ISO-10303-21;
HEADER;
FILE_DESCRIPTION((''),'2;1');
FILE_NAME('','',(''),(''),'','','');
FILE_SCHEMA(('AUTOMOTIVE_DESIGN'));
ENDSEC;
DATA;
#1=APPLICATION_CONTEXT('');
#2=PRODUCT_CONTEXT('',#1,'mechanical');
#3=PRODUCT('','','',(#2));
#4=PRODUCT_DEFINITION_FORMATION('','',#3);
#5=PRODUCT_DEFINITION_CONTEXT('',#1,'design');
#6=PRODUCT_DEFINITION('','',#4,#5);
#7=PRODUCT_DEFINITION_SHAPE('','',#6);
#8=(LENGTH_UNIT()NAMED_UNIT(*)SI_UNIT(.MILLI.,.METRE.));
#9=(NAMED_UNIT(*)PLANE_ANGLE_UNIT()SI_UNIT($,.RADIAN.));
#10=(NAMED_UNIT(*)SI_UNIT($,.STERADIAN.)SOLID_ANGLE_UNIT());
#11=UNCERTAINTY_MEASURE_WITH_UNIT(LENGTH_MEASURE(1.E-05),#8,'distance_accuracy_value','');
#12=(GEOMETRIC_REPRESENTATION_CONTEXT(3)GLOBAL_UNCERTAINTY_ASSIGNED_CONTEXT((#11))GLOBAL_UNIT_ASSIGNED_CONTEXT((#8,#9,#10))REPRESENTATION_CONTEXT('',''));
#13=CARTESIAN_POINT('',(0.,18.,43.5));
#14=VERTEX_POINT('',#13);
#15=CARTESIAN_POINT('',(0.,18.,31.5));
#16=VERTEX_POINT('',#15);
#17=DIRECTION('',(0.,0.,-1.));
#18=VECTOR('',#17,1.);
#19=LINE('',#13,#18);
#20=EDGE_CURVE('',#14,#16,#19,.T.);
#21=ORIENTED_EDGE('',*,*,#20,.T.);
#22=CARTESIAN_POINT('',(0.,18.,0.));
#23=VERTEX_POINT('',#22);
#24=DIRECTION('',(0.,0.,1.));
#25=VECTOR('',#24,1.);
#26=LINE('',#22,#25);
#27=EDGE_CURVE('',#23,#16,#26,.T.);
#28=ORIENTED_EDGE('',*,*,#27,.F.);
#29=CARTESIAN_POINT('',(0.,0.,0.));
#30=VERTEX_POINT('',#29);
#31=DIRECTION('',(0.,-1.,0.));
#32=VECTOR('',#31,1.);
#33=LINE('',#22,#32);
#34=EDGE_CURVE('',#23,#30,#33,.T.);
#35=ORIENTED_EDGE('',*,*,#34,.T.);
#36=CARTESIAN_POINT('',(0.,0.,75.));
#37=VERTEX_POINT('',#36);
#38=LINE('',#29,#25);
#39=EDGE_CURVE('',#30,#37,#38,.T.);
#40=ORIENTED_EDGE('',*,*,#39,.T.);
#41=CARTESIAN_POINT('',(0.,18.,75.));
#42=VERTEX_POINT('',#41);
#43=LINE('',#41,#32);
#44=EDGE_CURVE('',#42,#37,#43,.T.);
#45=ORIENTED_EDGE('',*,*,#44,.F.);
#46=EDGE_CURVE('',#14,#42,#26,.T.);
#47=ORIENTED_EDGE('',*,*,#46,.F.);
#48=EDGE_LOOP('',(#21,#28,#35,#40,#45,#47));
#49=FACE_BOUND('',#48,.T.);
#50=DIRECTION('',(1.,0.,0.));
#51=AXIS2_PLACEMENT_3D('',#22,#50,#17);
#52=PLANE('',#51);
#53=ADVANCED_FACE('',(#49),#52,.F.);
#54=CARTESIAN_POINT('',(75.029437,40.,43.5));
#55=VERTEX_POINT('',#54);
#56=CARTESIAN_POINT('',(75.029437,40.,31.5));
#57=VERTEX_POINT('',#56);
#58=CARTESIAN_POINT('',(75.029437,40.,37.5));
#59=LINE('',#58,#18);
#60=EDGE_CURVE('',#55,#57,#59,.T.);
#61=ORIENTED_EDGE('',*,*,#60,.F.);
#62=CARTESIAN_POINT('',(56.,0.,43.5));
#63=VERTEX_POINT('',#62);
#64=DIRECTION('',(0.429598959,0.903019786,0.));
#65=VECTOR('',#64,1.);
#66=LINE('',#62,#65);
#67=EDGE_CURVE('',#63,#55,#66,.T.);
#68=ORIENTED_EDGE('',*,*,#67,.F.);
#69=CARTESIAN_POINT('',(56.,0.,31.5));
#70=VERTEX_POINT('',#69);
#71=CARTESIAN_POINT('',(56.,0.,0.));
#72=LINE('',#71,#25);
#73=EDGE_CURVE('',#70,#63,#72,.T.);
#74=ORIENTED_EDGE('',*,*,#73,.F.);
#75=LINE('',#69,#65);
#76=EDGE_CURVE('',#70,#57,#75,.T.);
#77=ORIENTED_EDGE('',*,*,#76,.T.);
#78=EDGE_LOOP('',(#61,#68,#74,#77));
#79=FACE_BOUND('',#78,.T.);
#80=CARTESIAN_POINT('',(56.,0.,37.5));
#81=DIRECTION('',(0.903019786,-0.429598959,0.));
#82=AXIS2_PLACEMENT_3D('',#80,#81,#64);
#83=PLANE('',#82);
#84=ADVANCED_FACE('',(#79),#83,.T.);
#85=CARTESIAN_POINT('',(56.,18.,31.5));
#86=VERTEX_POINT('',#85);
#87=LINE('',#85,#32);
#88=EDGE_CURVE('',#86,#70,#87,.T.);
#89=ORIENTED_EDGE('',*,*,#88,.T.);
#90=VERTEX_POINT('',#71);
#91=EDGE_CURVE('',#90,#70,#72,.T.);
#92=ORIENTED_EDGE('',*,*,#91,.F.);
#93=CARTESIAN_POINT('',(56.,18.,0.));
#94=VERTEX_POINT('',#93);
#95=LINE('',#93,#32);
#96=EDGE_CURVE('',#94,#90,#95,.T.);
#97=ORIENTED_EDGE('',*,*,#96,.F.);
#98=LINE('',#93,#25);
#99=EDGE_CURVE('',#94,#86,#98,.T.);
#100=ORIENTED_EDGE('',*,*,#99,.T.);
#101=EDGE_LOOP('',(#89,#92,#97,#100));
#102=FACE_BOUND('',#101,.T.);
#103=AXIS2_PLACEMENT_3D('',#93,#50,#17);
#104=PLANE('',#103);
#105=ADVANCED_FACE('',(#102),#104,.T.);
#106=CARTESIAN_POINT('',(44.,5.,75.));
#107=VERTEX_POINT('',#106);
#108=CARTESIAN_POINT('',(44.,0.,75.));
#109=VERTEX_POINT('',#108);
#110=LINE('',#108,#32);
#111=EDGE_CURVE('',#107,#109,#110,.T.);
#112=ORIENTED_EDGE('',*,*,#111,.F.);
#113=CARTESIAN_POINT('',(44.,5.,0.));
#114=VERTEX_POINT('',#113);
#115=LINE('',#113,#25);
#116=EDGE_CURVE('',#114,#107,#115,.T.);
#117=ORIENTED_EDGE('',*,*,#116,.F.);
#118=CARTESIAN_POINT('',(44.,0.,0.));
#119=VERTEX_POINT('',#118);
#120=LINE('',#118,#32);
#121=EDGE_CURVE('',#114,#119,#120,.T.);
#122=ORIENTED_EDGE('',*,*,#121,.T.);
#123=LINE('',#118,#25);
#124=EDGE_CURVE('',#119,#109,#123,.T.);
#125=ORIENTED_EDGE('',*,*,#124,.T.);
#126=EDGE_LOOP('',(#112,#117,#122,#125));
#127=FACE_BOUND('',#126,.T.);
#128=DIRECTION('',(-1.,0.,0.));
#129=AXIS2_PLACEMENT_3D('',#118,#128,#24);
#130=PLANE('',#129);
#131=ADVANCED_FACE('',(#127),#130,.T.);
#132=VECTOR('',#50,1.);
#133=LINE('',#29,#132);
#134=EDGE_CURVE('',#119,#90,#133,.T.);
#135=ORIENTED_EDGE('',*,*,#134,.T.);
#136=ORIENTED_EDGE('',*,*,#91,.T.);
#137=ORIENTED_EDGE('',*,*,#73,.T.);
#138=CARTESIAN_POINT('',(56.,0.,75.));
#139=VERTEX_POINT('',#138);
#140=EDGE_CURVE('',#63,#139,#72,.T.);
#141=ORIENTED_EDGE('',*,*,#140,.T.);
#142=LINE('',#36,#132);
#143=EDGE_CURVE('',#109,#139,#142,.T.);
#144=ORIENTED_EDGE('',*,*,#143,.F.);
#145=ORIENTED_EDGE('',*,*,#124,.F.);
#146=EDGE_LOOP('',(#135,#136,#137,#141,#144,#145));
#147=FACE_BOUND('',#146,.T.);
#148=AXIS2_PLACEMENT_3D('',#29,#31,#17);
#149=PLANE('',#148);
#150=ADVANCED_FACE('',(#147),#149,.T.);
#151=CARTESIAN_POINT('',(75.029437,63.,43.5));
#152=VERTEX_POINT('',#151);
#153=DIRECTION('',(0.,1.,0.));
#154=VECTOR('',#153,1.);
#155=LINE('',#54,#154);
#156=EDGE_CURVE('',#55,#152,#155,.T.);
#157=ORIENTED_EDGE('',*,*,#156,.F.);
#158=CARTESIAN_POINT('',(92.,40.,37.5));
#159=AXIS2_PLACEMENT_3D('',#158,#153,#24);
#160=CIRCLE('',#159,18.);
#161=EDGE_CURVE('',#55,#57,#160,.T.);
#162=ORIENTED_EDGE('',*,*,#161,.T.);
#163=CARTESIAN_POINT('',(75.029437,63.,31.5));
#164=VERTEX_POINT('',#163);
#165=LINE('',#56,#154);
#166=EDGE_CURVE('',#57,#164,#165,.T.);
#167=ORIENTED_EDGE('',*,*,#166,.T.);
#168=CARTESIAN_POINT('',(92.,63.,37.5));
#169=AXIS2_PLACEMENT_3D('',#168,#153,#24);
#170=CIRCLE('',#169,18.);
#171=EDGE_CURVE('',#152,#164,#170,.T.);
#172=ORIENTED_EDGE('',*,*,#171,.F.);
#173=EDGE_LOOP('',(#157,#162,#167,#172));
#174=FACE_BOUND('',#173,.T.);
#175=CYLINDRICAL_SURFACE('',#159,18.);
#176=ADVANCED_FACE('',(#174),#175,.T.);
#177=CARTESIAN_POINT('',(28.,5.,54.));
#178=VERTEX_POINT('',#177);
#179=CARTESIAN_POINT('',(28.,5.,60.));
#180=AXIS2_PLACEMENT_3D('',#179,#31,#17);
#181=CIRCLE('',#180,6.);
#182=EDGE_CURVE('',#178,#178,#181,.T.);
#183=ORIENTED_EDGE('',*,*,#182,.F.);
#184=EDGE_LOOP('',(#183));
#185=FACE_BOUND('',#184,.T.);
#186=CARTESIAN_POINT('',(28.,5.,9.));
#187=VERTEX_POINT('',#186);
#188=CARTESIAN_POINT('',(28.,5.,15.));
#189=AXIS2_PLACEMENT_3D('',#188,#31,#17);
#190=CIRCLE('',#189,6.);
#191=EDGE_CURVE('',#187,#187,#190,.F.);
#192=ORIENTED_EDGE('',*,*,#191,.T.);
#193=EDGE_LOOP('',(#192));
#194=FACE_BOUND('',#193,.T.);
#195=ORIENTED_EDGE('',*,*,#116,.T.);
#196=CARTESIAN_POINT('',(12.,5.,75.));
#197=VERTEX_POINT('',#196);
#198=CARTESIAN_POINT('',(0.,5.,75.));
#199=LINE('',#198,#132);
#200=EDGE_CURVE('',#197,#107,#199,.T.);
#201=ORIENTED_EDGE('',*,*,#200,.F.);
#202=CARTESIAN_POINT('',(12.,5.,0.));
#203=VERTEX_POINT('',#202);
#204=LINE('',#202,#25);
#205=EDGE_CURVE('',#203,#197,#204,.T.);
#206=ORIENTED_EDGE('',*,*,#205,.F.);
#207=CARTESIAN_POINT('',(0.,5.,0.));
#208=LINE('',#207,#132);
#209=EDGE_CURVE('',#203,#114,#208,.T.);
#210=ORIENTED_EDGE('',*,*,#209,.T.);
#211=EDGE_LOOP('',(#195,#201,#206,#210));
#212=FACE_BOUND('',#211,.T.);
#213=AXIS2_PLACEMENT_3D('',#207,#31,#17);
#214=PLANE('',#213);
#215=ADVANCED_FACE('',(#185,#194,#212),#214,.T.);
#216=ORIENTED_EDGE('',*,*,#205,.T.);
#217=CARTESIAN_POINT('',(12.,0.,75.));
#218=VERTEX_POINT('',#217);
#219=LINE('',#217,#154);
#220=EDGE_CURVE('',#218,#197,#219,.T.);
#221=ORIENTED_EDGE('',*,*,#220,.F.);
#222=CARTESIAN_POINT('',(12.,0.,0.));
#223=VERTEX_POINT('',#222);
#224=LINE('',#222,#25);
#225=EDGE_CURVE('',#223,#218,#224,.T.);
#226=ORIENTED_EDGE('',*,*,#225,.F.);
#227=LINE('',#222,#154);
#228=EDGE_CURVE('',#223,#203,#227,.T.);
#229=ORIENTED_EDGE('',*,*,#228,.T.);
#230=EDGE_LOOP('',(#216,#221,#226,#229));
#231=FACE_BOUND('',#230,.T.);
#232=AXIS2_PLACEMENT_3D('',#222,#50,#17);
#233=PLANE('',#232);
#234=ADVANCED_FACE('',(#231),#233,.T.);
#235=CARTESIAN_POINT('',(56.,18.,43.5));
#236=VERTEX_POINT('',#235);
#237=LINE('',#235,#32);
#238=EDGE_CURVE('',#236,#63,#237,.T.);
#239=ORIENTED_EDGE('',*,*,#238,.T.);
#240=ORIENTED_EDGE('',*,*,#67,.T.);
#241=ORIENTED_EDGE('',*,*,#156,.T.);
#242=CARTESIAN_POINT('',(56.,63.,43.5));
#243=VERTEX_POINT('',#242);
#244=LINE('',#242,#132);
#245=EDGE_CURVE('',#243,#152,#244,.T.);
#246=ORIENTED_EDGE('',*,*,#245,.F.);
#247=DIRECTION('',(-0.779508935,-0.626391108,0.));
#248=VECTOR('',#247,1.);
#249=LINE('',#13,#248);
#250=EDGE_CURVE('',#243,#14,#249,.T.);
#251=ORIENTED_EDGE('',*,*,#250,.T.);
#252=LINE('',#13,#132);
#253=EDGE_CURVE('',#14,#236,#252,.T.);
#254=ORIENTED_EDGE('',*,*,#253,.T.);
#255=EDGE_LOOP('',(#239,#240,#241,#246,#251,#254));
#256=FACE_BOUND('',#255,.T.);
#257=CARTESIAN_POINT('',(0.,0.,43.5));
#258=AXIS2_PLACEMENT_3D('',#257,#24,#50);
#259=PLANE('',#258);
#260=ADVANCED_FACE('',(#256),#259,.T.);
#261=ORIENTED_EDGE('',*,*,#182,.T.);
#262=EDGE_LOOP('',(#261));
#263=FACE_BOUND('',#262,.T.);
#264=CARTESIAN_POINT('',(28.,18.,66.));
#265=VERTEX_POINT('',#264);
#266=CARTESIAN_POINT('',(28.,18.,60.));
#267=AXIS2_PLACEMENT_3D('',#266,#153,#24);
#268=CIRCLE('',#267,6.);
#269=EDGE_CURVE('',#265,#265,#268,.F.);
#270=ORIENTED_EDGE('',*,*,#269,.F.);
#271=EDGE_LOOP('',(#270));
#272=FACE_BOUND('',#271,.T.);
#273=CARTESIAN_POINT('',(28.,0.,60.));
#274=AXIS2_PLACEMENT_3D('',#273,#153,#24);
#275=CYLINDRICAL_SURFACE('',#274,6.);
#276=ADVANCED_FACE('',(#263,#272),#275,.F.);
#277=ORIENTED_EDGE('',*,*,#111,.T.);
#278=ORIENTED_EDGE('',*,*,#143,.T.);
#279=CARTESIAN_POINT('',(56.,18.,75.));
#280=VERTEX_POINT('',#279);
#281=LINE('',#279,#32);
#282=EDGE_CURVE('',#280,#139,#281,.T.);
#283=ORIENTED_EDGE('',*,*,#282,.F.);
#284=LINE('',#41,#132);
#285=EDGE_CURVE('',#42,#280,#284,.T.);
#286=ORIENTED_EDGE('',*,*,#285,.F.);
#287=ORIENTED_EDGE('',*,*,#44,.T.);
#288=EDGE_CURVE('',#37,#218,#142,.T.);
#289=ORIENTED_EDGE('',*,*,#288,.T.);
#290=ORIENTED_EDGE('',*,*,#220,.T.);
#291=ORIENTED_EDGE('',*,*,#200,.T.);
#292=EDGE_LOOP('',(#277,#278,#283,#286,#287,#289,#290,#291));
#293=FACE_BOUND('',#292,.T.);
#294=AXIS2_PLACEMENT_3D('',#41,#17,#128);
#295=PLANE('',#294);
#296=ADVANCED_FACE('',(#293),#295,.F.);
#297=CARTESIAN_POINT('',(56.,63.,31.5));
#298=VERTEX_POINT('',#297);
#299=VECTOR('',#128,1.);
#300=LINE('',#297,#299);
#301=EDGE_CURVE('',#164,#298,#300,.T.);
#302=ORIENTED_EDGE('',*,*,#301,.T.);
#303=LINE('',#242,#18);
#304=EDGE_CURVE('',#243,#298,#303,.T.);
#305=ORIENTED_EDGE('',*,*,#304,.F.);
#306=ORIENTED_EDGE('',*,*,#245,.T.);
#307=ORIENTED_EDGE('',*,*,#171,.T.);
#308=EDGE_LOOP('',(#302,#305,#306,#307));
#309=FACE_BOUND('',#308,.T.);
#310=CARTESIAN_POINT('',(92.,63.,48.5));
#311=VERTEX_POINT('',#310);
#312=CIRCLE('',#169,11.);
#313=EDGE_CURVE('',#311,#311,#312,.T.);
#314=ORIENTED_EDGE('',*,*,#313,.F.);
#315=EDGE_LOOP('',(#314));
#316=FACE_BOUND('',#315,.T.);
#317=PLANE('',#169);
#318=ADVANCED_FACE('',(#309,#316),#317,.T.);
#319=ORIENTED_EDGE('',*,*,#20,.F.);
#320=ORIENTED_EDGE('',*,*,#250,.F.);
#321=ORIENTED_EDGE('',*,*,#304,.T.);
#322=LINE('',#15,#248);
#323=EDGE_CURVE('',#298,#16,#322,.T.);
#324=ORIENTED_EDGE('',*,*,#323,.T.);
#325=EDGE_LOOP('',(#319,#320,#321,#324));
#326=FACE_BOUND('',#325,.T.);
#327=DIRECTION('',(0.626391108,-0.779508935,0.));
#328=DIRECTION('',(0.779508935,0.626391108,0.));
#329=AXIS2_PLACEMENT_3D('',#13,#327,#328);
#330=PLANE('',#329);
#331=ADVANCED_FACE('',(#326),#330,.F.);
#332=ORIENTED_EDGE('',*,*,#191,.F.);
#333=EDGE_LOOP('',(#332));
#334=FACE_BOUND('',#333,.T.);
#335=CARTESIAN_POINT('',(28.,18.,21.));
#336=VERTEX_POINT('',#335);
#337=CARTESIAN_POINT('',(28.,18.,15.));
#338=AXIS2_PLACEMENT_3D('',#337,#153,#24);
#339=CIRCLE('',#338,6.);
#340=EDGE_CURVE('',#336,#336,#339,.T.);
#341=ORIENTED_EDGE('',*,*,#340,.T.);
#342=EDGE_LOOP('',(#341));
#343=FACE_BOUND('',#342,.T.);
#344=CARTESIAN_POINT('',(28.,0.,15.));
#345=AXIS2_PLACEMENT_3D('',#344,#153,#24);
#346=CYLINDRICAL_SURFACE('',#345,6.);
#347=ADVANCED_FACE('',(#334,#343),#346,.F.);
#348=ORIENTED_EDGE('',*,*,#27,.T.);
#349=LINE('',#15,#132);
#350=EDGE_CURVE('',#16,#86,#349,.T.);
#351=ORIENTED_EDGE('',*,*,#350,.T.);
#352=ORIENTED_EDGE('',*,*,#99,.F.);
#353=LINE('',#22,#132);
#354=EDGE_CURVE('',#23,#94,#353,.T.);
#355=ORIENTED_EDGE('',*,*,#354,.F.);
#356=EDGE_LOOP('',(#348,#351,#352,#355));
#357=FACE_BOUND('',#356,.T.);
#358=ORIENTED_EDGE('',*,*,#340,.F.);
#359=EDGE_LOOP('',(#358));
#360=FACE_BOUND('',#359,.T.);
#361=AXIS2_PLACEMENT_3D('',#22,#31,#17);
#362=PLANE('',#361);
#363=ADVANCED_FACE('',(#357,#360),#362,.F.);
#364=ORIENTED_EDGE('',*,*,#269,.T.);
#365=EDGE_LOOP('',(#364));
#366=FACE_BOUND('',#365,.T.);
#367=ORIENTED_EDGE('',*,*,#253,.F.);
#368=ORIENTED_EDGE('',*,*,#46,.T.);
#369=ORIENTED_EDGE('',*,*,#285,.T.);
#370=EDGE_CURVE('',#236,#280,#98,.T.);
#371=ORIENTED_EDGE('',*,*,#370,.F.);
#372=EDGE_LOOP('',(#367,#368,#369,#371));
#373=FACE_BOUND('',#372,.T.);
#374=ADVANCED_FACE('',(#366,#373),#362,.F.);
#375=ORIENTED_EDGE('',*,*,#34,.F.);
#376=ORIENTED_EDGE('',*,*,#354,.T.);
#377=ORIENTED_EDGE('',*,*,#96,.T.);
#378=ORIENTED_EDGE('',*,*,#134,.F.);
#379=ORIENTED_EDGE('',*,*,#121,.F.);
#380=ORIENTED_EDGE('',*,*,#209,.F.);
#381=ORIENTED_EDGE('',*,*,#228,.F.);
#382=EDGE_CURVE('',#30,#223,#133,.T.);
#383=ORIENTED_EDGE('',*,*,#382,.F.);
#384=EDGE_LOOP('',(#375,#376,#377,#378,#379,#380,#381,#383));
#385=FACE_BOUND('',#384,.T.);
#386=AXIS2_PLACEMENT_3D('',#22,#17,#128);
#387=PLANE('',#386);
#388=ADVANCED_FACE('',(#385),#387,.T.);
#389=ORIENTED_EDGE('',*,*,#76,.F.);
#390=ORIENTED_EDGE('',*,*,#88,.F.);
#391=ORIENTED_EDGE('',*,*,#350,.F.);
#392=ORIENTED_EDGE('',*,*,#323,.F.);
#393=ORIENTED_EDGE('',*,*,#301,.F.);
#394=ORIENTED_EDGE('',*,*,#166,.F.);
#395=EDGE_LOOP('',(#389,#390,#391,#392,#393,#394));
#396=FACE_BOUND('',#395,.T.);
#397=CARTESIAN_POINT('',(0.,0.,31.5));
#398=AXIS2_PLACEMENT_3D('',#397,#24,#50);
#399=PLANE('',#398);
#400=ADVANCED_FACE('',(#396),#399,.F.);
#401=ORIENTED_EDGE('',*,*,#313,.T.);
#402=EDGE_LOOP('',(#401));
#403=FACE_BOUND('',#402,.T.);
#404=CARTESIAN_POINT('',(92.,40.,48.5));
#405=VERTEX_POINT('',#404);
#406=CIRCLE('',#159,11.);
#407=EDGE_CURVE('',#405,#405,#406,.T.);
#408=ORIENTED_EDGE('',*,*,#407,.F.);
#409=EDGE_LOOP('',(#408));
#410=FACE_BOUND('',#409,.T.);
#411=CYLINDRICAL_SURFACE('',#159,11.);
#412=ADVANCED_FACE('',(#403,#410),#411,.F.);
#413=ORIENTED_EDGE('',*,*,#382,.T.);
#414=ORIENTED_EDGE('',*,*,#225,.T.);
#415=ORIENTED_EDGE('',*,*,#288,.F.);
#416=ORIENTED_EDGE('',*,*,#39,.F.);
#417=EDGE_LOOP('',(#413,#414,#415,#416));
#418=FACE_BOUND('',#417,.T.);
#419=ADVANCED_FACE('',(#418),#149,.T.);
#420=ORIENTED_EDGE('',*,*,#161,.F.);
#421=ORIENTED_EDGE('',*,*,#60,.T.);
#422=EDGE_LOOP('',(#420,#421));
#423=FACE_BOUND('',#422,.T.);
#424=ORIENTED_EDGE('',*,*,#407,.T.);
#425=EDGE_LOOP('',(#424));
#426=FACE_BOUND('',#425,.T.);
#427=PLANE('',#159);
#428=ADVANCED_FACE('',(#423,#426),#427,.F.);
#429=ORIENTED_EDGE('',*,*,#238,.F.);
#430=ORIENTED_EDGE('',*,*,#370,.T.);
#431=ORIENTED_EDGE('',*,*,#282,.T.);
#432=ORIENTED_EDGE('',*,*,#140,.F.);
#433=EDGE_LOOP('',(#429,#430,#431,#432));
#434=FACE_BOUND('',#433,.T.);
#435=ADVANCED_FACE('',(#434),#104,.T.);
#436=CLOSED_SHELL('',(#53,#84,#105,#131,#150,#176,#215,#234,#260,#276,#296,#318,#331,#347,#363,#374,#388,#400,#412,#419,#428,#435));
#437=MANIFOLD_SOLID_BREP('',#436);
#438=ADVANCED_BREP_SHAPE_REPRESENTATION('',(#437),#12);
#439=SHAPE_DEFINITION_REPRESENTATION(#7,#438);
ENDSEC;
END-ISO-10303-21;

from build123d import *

# Parameters (mm, degrees)
IZIM1_W                     = 56
IZIM1_H                     = 75
Y_KSEKLIK_EKSTR_ZYON1_DEPTH = 18
IZIM3_R                     = 6
KES_EKSTR_ZYON1_DEPTH       = 96.315266353
IZIM4_W                     = 32
IZIM4_H                     = 5
KES_EKSTR_ZYON2_DEPTH       = 96.315266353
Y_KSEKLIK_EKSTR_ZYON2_DEPTH = 6
IZIM7_R                     = 11
Y_KSEKLIK_EKSTR_ZYON3_DEPTH = 23
FEDER1_REACH                = 134.194
IZIM8_WALL_W                = 310.68379038
IZIM8_WALL_H                = 12


with BuildPart() as part:
    # Çizim1 → Yükseklik-Ekstrüzyon1 (new body)
    with BuildSketch(Plane(origin=(0, 0, 0), x_dir=(1, 0, 0), z_dir=(0, 1, 0))):
        with Locations((28, -37.5)):
            Rectangle(IZIM1_W, IZIM1_H)
    extrude(amount=Y_KSEKLIK_EKSTR_ZYON1_DEPTH)

    # Çizim3 → Kes-Ekstrüzyon1 (cut, through all)
    with BuildSketch(Plane(origin=(0, 18, 0), x_dir=(1, 0, 0), z_dir=(0, 1, 0))):
        with Locations(Location((28, -15, 0), (0, 0, 270))):
            Circle(IZIM3_R)
        with Locations(Location((28, -60, 0), (0, 0, 270))):
            Circle(IZIM3_R)
    extrude(amount=-KES_EKSTR_ZYON1_DEPTH, mode=Mode.SUBTRACT)

    # Çizim4 → Kes-Ekstrüzyon2 (cut, through all)
    with BuildSketch(Plane.XY.offset(75)):
        with Locations((28, 2.5)):
            Rectangle(IZIM4_W, IZIM4_H)
    extrude(amount=-KES_EKSTR_ZYON2_DEPTH, mode=Mode.SUBTRACT)

    # Çizim5 → Yükseklik-Ekstrüzyon2 (add, symmetric)
    with BuildSketch(Plane.XY.offset(37.5)):
        Polygon((0, 18), (56, 18), (56, 63), align=None)
    extrude(amount=Y_KSEKLIK_EKSTR_ZYON2_DEPTH, both=True)

    # Çizim7 → Yükseklik-Ekstrüzyon3 (add)
    with BuildSketch(Plane(origin=(0, 63, 0), x_dir=(1, 0, 0), z_dir=(0, 1, 0))):
        with BuildLine():
            Line((56, -31.5), (75.029437252, -31.5))
            ThreePointArc((75.029437252, -31.5), (110, -37.5), (75.029437252, -43.5))
            Line((75.029437252, -43.5), (56, -43.5))
            Line((56, -43.5), (56, -37.5))
            Line((56, -37.5), (56, -31.5))
        make_face()
        with Locations(Location((92, -37.5, 0), (0, 0, 270))):
            Circle(IZIM7_R, mode=Mode.SUBTRACT)
    extrude(amount=-Y_KSEKLIK_EKSTR_ZYON3_DEPTH)

    # Çizim8 wall → Feder1 (add, up to next)
    with BuildSketch(Plane(origin=(65.514718626, 20, 37.5), x_dir=(0.42959895901, 0.903019786283, 0), z_dir=(-0.903019786283, 0.42959895901, 0)), mode=Mode.PRIVATE) as feder1_sk1:
        Rectangle(IZIM8_WALL_W, IZIM8_WALL_H)
    feder1_tool1 = extrude(feder1_sk1.sketch, amount=FEDER1_REACH, mode=Mode.PRIVATE) - part.part
    add(feder1_tool1.solids().sort_by_distance((65.514718626, 20, 37.5))[0])


solid = part.part
